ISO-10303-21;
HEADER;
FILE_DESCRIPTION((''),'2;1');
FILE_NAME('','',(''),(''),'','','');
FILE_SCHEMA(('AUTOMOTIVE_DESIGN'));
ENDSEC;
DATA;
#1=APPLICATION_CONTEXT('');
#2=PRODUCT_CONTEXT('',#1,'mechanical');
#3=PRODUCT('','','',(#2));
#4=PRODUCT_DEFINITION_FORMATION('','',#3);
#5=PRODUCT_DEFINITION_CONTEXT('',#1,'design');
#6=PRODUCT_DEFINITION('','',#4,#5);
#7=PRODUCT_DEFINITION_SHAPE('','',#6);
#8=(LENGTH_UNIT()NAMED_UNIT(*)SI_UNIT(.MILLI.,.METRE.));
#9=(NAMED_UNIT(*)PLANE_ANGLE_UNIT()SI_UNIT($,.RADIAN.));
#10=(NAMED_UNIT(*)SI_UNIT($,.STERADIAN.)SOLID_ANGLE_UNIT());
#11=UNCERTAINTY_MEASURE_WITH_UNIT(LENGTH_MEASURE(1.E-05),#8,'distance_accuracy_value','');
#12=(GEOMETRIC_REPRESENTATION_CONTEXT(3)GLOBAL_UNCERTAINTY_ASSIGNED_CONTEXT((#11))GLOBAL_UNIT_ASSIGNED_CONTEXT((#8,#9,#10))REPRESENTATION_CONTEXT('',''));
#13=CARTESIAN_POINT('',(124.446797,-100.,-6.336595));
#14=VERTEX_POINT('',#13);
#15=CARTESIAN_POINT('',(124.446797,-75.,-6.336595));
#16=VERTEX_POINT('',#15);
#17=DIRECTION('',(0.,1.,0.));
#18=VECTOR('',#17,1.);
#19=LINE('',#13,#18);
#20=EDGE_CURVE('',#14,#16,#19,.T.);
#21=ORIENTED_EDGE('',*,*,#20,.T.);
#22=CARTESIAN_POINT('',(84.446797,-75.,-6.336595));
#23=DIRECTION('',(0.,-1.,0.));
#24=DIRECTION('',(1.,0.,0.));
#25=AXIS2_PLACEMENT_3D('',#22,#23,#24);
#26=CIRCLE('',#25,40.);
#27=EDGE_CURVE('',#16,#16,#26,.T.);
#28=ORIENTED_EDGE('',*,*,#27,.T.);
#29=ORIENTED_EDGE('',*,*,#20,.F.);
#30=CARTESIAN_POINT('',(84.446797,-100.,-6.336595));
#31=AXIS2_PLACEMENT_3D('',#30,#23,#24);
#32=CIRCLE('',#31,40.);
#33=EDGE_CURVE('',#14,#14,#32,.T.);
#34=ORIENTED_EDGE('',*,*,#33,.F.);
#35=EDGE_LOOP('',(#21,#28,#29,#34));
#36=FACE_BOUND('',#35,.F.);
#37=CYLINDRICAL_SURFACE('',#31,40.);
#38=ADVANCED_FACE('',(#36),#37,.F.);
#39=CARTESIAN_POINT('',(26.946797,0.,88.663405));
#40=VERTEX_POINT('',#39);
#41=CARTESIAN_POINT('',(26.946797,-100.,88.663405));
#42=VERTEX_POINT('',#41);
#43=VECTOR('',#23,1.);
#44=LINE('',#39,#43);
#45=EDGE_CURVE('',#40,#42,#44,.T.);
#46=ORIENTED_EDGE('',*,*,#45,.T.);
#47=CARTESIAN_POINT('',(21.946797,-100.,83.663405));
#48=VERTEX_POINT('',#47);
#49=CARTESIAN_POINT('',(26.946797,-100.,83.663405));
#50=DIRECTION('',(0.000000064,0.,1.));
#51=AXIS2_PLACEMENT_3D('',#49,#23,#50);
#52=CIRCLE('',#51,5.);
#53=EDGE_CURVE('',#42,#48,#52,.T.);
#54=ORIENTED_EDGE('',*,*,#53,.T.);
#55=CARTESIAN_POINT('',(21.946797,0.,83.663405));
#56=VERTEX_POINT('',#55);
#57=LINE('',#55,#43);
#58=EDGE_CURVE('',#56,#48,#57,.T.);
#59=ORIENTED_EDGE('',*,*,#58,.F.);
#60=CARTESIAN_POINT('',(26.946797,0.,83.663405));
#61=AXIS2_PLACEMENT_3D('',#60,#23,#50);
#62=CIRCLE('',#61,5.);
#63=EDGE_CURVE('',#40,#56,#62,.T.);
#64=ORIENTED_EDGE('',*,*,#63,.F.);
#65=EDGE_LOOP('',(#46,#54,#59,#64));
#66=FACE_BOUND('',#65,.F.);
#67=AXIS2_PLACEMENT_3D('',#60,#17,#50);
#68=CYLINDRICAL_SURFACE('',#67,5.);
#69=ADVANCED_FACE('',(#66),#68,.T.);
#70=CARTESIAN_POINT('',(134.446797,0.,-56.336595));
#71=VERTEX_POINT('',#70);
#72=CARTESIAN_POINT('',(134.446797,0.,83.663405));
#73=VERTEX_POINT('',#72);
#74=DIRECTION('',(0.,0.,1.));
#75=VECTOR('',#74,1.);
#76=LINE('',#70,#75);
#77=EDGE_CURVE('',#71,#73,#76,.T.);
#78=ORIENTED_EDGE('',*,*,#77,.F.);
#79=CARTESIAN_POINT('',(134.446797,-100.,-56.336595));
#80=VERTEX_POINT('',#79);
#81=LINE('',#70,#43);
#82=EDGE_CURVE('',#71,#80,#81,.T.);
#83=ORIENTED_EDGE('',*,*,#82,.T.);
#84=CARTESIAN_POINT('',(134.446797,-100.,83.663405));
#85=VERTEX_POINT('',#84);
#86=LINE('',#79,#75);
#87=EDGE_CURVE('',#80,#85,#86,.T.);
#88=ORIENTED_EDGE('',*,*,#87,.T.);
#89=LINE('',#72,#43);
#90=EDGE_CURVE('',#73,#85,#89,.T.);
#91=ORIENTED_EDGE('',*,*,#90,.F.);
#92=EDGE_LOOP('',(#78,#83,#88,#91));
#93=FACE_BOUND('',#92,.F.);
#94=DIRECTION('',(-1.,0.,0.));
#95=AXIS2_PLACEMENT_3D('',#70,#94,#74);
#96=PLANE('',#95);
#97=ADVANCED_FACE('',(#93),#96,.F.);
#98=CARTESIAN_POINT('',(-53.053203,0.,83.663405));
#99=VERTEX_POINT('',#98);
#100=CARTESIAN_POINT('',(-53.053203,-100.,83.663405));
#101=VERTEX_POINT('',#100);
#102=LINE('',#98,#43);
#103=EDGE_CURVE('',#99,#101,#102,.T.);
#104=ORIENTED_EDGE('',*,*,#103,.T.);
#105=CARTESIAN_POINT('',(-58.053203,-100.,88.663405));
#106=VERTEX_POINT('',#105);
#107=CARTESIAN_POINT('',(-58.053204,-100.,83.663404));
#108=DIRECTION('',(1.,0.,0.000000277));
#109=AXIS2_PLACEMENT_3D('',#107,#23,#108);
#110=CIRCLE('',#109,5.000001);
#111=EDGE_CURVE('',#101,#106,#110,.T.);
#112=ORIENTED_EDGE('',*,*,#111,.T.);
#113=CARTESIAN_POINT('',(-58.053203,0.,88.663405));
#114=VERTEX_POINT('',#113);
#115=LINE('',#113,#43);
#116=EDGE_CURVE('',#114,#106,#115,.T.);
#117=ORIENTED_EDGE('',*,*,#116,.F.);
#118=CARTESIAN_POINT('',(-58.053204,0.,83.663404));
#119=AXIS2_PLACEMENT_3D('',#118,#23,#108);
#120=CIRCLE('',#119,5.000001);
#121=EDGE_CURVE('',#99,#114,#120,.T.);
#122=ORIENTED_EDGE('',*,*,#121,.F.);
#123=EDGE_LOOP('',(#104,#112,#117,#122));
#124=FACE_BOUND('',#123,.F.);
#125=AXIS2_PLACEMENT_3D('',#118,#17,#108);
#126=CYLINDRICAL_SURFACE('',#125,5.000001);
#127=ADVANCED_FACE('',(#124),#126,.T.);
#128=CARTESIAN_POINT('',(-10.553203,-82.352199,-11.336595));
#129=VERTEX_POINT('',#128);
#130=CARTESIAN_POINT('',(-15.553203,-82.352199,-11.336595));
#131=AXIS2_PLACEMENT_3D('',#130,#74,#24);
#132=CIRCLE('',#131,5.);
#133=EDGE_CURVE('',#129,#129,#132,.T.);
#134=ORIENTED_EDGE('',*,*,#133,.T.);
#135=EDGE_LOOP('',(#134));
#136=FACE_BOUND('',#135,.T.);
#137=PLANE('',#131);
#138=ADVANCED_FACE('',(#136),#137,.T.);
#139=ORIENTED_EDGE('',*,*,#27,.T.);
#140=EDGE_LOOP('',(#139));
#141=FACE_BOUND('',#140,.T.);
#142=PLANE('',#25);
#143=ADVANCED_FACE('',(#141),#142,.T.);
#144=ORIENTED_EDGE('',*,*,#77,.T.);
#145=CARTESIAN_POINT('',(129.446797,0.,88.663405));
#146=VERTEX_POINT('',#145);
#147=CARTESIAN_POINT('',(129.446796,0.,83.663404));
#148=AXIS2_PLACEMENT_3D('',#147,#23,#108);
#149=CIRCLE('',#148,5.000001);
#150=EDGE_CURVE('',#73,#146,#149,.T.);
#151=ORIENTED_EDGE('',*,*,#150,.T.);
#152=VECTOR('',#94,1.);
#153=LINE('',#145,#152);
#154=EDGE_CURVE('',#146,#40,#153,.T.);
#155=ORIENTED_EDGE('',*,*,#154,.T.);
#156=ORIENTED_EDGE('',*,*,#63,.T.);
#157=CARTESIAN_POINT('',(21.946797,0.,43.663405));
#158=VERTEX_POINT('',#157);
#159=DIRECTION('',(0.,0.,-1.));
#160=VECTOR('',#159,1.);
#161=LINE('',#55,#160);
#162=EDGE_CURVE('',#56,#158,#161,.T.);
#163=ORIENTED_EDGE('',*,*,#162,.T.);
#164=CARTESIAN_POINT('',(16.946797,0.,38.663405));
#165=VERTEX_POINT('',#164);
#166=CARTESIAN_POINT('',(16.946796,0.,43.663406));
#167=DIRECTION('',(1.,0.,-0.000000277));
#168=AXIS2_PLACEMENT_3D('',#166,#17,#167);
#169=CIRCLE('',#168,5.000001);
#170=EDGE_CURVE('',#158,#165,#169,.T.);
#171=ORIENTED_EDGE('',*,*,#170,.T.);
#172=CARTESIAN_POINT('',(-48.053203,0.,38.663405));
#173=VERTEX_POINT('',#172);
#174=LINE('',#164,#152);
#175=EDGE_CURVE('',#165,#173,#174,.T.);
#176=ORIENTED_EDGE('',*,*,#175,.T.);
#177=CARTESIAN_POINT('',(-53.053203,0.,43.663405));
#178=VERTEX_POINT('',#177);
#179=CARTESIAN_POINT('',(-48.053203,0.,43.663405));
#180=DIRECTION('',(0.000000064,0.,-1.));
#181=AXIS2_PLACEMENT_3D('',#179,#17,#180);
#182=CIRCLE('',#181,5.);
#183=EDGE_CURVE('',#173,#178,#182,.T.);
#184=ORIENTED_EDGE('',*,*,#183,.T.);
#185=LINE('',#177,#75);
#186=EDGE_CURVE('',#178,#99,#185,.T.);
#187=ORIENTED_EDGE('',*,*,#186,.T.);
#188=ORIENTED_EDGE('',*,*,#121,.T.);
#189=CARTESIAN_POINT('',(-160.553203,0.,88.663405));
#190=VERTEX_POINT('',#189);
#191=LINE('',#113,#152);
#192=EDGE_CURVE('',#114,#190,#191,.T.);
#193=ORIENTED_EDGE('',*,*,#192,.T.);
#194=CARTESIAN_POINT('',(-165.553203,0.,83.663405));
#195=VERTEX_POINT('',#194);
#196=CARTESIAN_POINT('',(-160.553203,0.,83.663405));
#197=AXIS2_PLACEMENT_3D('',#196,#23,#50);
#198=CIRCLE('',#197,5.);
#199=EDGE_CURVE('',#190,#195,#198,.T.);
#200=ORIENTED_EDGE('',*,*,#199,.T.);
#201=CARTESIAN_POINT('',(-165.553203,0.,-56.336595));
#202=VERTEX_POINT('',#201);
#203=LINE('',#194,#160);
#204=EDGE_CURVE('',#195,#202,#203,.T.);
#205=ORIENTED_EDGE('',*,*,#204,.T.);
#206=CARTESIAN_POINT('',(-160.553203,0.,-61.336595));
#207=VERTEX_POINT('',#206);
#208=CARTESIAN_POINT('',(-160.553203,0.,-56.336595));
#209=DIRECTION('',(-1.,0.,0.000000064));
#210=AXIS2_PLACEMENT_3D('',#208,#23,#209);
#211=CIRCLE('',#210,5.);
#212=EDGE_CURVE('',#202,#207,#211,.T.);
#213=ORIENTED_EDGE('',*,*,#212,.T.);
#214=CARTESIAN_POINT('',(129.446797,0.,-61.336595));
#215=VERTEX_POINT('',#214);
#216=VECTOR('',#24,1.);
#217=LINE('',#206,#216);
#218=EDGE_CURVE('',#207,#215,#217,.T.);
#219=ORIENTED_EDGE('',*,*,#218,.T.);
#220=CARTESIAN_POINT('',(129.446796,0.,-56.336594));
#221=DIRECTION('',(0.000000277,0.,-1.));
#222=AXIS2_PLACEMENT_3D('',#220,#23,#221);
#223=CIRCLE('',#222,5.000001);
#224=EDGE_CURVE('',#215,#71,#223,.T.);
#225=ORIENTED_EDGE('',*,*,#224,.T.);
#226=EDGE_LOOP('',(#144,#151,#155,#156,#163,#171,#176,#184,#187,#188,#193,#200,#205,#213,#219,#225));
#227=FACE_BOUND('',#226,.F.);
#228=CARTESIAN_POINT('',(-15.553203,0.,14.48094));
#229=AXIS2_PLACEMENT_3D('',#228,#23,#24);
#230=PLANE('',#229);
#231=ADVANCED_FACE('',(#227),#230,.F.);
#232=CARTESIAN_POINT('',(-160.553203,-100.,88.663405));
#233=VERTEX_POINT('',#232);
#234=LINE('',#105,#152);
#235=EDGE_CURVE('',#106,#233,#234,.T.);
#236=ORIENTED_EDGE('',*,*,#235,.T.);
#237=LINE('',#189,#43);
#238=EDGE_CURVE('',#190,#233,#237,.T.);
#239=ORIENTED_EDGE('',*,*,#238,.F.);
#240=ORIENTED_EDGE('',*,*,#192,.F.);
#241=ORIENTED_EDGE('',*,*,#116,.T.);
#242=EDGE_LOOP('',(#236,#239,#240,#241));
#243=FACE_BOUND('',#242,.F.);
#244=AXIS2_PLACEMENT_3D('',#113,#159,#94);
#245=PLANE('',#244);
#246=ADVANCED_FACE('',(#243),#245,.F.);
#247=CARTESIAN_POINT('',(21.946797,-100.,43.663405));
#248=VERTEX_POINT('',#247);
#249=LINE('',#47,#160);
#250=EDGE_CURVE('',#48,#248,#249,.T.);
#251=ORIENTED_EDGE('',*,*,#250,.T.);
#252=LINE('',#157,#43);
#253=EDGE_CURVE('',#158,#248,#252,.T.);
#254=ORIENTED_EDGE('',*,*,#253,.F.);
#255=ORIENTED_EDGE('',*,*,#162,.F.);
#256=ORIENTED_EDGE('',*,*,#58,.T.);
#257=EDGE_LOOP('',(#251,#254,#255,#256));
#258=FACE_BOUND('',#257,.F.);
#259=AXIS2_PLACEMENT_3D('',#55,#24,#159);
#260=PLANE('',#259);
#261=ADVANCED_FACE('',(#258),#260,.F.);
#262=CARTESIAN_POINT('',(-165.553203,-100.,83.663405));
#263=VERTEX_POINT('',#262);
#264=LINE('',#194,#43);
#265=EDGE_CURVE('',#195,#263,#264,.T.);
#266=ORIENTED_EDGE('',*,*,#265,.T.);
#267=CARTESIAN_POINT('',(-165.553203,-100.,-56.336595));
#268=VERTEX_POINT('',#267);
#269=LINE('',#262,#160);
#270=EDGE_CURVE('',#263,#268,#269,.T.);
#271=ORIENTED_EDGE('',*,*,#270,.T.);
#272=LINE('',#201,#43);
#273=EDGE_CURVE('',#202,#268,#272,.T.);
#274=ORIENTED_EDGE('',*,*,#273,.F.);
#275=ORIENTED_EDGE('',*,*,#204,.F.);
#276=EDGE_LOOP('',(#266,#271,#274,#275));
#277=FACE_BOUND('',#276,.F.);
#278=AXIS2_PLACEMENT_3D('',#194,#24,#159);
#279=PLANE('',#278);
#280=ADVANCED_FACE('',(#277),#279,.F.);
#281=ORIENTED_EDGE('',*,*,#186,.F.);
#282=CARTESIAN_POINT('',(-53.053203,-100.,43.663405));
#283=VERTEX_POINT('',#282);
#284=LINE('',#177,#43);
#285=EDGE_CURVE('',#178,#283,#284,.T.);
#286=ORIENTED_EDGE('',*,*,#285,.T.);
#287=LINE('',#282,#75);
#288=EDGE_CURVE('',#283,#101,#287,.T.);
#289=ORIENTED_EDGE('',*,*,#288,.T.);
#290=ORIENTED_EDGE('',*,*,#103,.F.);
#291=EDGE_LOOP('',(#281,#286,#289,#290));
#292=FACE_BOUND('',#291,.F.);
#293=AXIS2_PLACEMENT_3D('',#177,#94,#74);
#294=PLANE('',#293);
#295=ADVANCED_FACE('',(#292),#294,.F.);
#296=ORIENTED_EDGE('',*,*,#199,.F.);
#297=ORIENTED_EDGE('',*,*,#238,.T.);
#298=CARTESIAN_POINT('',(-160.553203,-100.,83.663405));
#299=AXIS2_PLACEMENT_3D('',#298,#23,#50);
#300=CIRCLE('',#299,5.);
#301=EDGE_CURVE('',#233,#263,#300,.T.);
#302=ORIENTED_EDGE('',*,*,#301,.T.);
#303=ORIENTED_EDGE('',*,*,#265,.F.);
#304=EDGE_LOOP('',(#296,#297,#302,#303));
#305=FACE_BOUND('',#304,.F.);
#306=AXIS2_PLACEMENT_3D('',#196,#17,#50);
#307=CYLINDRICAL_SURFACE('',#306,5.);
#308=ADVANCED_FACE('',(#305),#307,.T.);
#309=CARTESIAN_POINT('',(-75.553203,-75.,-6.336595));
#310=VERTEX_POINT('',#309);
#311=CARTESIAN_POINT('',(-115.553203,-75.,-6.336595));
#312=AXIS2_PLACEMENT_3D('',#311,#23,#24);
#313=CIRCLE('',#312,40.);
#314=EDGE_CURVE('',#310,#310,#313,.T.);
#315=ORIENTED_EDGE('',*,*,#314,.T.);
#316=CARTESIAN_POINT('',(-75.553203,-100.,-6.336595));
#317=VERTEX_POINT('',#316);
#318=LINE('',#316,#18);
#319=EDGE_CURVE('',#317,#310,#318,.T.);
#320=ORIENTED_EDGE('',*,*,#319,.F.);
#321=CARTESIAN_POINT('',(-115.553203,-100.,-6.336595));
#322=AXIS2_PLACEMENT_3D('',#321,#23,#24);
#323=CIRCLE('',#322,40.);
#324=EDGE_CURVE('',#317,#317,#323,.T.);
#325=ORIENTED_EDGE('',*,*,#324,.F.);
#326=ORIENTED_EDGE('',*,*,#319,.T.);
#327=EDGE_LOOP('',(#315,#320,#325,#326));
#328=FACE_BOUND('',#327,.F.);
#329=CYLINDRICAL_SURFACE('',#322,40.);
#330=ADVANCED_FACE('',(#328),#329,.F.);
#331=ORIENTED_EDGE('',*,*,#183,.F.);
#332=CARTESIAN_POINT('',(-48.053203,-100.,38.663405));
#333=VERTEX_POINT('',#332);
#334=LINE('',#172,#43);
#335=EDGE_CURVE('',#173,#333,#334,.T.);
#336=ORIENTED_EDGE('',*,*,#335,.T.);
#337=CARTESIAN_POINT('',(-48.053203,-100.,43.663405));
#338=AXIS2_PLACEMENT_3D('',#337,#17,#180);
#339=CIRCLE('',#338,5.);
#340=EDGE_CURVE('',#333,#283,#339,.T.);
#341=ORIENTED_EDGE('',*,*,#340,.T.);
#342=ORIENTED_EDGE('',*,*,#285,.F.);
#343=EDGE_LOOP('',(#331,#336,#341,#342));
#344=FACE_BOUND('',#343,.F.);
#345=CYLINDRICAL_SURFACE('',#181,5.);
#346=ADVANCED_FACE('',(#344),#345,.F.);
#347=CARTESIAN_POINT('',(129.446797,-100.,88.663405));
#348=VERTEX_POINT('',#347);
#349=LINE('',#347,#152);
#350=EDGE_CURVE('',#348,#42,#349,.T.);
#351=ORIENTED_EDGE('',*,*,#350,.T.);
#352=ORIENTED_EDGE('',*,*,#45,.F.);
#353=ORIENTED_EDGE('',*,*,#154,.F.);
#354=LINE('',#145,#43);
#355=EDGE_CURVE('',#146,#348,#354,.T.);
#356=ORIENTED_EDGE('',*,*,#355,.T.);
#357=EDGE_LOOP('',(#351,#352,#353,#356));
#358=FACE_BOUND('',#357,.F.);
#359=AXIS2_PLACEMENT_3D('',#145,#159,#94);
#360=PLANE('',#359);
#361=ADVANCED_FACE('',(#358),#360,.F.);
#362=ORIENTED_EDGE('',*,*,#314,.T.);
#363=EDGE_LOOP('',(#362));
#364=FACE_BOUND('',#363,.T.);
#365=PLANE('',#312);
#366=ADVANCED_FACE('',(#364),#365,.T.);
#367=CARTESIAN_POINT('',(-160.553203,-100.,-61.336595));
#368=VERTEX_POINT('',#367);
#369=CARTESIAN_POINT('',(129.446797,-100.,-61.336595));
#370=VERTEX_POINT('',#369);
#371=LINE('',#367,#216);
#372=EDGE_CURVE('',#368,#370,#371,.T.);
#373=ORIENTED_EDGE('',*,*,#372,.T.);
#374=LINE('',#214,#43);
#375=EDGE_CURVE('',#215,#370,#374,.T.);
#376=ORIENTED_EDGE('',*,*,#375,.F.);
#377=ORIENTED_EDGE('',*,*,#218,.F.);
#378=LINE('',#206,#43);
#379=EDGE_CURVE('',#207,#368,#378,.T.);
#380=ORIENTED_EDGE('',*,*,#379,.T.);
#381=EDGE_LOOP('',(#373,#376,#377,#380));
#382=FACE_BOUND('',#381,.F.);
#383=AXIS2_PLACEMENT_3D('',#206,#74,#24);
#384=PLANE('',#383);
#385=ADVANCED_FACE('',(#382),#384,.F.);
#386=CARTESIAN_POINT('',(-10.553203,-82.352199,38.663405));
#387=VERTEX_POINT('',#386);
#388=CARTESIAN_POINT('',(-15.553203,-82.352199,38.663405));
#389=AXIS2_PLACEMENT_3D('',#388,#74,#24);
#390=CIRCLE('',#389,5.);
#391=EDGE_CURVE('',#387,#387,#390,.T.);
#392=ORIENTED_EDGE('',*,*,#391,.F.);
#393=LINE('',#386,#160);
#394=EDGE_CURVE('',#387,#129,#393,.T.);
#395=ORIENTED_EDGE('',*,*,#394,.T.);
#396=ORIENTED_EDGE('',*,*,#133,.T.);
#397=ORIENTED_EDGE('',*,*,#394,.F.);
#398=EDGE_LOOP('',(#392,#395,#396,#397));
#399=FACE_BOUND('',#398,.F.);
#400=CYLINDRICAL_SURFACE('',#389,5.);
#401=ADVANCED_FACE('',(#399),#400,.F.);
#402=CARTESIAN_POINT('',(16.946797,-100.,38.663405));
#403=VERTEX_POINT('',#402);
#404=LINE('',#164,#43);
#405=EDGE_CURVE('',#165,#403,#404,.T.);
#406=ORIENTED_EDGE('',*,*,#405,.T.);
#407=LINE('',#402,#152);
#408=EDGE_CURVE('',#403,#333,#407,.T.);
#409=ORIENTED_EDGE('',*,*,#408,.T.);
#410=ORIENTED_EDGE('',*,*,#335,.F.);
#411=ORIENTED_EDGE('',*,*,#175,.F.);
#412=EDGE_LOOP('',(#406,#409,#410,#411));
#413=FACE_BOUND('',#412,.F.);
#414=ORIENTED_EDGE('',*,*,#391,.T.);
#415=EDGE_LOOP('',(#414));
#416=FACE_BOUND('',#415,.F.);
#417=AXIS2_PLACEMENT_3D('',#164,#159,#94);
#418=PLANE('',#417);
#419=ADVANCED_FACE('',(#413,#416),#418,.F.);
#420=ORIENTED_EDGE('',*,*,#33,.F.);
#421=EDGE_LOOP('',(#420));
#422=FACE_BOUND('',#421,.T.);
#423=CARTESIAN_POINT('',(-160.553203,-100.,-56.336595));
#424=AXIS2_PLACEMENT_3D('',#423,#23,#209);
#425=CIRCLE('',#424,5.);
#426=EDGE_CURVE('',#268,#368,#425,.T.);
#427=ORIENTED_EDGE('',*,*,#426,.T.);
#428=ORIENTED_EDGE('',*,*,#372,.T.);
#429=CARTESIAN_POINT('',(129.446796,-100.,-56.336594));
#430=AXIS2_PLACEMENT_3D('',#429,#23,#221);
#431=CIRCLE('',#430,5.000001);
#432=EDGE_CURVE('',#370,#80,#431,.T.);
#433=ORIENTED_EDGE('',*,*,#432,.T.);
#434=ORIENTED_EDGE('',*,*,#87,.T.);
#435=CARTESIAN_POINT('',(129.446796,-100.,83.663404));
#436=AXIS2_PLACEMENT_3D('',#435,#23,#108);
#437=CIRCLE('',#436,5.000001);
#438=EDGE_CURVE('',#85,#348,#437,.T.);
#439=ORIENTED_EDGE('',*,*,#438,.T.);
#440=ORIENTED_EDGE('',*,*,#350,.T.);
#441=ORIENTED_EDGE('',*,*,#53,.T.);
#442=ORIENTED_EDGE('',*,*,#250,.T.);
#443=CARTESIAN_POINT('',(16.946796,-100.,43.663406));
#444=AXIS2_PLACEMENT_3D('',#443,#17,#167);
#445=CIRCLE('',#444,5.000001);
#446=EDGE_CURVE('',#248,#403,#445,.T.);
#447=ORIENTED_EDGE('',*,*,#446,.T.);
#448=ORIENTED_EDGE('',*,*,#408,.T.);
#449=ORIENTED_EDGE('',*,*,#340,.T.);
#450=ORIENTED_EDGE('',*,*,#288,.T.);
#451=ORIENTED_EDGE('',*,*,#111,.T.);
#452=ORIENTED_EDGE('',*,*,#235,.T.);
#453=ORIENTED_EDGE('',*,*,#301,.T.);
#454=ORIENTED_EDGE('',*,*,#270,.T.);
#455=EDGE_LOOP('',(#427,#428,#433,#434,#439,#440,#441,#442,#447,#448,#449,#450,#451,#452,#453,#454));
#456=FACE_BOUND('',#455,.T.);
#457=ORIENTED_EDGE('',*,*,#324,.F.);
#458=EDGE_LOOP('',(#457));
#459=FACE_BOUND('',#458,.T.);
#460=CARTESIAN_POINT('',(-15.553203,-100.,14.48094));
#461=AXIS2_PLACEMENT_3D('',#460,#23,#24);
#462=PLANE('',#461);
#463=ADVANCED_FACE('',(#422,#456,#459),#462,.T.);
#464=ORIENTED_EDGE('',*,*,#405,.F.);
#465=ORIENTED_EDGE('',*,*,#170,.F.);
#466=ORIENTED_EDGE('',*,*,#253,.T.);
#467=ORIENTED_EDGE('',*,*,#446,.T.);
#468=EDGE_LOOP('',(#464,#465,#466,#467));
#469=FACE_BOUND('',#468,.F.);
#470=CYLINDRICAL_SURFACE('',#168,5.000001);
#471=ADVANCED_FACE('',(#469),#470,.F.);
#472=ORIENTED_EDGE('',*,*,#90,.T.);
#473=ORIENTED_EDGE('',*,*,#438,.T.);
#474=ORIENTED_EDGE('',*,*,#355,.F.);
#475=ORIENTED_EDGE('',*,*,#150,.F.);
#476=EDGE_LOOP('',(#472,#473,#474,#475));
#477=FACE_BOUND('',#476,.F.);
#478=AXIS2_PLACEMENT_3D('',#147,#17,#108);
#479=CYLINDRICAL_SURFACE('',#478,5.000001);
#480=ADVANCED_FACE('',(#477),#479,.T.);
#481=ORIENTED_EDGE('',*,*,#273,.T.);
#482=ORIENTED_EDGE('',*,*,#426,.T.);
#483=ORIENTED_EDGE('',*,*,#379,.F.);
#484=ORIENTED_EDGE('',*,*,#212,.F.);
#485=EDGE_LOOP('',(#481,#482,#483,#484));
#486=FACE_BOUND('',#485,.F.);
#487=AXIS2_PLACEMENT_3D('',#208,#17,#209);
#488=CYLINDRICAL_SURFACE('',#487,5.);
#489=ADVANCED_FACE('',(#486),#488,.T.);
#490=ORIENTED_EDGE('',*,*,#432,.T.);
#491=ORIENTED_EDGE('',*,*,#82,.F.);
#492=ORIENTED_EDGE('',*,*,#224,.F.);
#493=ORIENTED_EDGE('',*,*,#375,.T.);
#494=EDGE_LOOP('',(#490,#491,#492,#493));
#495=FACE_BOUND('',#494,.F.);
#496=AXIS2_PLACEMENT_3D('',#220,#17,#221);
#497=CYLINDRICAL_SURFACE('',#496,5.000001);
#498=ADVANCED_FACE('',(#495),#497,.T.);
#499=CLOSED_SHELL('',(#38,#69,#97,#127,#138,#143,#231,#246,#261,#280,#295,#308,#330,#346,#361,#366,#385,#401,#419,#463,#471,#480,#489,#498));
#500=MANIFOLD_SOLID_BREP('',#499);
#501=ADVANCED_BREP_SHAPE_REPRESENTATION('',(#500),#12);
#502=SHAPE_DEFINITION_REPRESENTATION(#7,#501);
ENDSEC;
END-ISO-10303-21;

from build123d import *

# Parameters (mm, degrees)
F1_DEPTH = 100
F2_R     = 40
F3_DEPTH = 25
F4_R     = 5
F5_DEPTH = 50


with BuildPart() as f1:
    # F0 (on Front) → F1 (new body)
    with BuildSketch(Plane.XZ):
        with BuildLine():
            Line((-58.053203, 88.663405), (-160.553203, 88.663405))
            ThreePointArc((-160.553203, 88.663405), (-164.088737, 87.198939), (-165.553203, 83.663405))
            Line((-165.553203, 83.663405), (-165.553203, -56.336595))
            ThreePointArc((-165.553203, -56.336595), (-164.088737, -59.872129), (-160.553203, -61.336595))
            Line((-160.553203, -61.336595), (129.446797, -61.336595))
            ThreePointArc((129.446797, -61.336595), (132.98233, -59.872129), (134.446797, -56.336595))
            Line((134.446797, -56.336595), (134.446797, 83.663405))
            ThreePointArc((134.446797, 83.663405), (132.98233, 87.198939), (129.446797, 88.663405))
            Line((129.446797, 88.663405), (26.946797, 88.663405))
            ThreePointArc((26.946797, 88.663405), (23.411263, 87.198939), (21.946797, 83.663405))
            Line((21.946797, 83.663405), (21.946797, 43.663405))
            ThreePointArc((21.946797, 43.663405), (20.48233, 40.127871), (16.946797, 38.663405))
            Line((16.946797, 38.663405), (-48.053203, 38.663405))
            ThreePointArc((-48.053203, 38.663405), (-51.588737, 40.127871), (-53.053203, 43.663405))
            Line((-53.053203, 43.663405), (-53.053203, 83.663405))
            ThreePointArc((-53.053203, 83.663405), (-54.51767, 87.198939), (-58.053203, 88.663405))
        make_face()
    extrude(amount=F1_DEPTH)

    # F2 (on face) → F3 (cut)
    with BuildSketch(Plane.XZ.offset(100)):
        with Locations((-115.553203, -6.336595)):
            Circle(F2_R)
        with Locations((84.446797, -6.336595)):
            Circle(F2_R)
    extrude(amount=-F3_DEPTH, mode=Mode.SUBTRACT)

    # F4 (on face) → F5 (cut)
    with BuildSketch(Plane.XY.offset(38.663405)):
        with Locations((-15.553203, -82.352199)):
            Circle(F4_R)
    extrude(amount=-F5_DEPTH, mode=Mode.SUBTRACT)


solid = f1.part
